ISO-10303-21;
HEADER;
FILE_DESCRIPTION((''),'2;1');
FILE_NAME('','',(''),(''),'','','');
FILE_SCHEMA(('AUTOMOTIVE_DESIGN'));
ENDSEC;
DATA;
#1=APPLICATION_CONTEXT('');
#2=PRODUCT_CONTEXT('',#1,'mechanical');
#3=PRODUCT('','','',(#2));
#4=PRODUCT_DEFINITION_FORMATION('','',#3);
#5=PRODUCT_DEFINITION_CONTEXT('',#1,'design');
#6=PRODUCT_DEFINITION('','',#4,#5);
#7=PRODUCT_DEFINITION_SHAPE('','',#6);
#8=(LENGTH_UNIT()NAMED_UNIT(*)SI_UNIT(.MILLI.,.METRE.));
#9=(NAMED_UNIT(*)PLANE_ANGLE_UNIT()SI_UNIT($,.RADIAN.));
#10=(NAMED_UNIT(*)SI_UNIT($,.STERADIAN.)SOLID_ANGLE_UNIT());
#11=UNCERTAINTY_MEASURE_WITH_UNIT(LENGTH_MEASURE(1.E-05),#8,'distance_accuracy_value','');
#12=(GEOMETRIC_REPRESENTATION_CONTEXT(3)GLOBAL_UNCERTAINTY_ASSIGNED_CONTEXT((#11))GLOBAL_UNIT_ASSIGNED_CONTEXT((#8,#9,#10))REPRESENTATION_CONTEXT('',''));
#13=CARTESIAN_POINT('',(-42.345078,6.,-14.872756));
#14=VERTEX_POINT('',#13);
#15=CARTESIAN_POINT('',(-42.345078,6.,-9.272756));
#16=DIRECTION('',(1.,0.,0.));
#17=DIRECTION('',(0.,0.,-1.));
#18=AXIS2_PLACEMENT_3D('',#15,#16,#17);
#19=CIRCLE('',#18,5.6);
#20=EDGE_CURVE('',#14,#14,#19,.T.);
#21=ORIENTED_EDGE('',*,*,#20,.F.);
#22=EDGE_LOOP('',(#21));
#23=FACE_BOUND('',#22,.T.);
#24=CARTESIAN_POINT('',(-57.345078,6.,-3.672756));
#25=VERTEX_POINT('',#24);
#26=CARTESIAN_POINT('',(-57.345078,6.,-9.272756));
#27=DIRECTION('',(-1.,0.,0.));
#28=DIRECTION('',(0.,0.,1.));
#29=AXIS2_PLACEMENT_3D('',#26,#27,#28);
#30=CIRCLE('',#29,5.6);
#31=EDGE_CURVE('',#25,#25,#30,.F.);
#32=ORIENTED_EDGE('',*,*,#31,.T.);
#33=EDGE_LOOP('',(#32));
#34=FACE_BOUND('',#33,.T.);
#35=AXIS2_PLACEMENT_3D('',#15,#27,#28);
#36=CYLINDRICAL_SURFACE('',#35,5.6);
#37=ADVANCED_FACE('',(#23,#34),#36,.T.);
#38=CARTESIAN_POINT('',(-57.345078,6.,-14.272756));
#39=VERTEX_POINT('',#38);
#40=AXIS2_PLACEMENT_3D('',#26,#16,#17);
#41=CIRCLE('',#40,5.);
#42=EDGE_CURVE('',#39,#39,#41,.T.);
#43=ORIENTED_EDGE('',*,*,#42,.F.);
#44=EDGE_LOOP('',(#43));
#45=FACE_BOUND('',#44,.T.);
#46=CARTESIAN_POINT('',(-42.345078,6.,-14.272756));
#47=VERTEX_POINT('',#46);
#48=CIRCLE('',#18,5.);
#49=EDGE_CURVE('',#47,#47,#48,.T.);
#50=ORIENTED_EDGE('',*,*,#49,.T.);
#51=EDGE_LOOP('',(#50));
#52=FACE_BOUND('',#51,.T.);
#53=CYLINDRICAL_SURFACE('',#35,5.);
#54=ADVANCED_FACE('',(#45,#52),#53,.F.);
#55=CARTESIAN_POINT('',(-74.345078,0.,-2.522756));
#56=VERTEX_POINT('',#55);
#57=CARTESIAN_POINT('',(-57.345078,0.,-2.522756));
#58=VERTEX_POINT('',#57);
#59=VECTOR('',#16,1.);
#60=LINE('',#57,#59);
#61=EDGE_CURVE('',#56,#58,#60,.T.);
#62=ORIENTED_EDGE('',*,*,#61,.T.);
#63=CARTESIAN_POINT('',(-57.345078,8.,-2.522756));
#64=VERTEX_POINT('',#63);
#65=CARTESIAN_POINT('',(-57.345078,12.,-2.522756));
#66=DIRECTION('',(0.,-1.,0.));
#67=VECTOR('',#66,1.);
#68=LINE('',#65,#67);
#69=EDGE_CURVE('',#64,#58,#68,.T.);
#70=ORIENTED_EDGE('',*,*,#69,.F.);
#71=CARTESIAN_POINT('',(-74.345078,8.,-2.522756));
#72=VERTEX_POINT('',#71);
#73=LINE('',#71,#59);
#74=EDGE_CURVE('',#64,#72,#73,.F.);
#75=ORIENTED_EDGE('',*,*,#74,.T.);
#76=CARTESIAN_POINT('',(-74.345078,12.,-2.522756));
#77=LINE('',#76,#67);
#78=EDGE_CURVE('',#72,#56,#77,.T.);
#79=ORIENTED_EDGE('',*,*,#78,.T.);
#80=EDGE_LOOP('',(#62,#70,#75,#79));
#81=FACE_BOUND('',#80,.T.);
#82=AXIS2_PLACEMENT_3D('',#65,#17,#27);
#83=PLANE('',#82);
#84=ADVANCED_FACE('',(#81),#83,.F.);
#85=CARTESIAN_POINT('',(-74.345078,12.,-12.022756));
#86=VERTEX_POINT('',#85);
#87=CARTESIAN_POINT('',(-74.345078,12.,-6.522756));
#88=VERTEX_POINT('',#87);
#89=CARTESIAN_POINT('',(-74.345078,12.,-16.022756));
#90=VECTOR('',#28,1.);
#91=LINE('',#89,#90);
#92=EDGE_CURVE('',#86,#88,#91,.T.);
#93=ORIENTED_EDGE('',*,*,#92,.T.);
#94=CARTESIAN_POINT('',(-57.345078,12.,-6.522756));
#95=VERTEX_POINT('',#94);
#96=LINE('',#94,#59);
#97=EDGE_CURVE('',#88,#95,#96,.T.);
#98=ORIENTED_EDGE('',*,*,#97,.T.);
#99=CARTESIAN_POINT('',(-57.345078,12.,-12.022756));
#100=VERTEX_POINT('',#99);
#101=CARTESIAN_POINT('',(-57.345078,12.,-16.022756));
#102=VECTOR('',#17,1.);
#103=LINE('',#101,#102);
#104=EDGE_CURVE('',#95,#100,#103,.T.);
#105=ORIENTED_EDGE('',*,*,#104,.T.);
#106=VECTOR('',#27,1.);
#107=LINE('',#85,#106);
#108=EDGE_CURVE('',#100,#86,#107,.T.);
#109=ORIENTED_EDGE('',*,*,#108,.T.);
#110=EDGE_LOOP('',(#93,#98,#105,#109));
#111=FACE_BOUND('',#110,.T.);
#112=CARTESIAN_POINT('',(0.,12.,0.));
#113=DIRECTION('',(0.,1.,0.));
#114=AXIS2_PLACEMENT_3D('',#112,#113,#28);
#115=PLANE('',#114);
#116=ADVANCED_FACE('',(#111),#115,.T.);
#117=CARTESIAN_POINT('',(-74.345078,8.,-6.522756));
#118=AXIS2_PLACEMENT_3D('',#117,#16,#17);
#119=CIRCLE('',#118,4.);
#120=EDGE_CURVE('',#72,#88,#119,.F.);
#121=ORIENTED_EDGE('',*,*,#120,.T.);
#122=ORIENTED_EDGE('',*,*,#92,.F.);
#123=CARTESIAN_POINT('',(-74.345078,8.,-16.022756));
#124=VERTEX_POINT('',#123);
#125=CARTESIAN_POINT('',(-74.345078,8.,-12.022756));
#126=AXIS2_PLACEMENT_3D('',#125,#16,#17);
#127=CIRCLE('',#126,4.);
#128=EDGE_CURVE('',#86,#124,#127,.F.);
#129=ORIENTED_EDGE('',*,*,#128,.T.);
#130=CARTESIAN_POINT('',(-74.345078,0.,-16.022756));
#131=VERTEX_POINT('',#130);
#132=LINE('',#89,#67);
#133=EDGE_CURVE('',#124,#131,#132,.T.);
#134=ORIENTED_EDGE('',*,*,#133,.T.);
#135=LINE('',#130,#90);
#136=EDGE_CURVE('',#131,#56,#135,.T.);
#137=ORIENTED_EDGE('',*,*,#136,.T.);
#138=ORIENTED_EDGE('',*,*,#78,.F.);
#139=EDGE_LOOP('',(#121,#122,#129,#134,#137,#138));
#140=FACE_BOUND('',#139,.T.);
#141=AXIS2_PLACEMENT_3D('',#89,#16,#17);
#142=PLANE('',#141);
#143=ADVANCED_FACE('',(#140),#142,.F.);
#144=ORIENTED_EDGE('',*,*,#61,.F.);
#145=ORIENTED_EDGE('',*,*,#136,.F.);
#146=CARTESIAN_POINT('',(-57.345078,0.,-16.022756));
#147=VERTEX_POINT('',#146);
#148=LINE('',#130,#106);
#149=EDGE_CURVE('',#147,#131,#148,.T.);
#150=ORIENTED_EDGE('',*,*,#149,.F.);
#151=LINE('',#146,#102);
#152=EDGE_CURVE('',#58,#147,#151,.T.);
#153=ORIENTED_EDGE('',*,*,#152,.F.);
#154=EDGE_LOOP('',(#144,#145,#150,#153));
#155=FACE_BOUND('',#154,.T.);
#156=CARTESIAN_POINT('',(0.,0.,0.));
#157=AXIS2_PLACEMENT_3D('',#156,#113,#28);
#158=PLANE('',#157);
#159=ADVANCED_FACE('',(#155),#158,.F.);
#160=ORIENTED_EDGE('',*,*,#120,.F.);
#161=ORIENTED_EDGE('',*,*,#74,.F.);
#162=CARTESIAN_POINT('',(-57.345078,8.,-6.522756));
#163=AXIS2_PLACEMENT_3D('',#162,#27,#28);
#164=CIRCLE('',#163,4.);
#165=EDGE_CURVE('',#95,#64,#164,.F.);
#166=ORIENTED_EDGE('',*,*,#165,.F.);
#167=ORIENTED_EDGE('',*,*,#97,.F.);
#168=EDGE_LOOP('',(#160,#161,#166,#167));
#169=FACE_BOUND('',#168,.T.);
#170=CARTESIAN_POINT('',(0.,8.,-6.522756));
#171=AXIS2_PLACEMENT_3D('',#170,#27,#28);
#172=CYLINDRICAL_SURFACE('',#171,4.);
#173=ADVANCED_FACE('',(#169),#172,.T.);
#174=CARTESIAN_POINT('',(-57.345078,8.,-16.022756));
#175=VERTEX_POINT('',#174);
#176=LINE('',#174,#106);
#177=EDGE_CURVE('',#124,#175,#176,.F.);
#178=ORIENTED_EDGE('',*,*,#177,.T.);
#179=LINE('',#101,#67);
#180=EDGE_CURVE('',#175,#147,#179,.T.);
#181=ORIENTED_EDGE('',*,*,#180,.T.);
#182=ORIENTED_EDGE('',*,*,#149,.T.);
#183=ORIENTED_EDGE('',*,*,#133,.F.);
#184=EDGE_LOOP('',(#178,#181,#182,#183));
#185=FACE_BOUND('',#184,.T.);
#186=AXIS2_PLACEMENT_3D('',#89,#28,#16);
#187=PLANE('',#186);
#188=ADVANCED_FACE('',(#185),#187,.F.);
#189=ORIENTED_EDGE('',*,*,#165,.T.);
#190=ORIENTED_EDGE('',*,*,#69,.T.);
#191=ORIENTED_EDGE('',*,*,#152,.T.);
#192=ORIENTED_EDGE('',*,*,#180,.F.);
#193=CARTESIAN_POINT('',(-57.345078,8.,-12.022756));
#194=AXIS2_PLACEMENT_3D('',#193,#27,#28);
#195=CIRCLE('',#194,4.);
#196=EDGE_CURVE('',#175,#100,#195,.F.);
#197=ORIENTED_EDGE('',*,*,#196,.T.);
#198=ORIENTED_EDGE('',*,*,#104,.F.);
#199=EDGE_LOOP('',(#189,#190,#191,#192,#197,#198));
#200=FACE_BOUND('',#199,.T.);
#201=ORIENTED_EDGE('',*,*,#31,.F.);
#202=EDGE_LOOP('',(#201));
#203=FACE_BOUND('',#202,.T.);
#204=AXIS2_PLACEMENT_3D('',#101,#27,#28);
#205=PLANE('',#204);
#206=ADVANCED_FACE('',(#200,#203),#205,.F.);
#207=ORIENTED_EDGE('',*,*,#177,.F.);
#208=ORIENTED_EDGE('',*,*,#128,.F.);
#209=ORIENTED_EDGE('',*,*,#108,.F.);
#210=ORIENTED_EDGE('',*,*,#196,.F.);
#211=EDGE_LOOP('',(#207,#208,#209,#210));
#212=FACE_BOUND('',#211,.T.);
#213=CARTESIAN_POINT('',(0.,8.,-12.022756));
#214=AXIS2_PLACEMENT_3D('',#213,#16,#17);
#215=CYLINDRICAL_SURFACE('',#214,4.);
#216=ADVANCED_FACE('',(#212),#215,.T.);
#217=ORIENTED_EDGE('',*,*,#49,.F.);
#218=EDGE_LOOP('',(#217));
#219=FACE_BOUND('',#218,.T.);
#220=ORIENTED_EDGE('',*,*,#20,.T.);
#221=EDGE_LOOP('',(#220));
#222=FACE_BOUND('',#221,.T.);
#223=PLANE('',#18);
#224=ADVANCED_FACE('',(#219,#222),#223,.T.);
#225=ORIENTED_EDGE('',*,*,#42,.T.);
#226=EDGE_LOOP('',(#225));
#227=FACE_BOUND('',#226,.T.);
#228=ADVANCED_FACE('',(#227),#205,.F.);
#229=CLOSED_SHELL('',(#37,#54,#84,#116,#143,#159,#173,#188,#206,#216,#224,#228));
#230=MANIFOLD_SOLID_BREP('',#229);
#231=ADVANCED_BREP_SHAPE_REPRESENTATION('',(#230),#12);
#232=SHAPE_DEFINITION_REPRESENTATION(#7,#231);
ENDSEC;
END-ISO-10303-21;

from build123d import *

# Parameters (mm, degrees)
SKETCH1_W           = 17
SKETCH1_H           = 13.5
BOSS_EXTRUDE1_DEPTH = 12
SKETCH2_R           = 5.6
SKETCH2_R_2         = 5
BOSS_EXTRUDE2_DEPTH = 15
FILLET1_R           = 4


with BuildPart() as part:
    # Sketch1 → Boss-Extrude1 (new body)
    with BuildSketch(Plane(origin=(0, 0, 0), x_dir=(1, 0, 0), z_dir=(0, 1, 0))):
        with Locations((-65.845078181, 9.272756488)):
            Rectangle(SKETCH1_W, SKETCH1_H)
    extrude(amount=BOSS_EXTRUDE1_DEPTH)

    # Sketch2 → Boss-Extrude2 (add)
    with BuildSketch(Plane(origin=(-57.345078181, 0, 0), x_dir=(0, 0, -1), z_dir=(1, 0, 0))):
        with Locations(Location((9.272756488, 6, 0), (0, 0, 180))):
            Circle(SKETCH2_R)
        with Locations((9.272756488, 6)):
            Circle(SKETCH2_R_2, mode=Mode.SUBTRACT)
    extrude(amount=BOSS_EXTRUDE2_DEPTH)

    # Fillet1
    fillet1_edges = [part.edges().sort_by_distance(p)[0] for p in [
        (-65.845078181, 12, -16.022756488),
        (-65.845078181, 12, -2.522756488),
    ]]
    fillet(fillet1_edges, radius=FILLET1_R)


solid = part.part
